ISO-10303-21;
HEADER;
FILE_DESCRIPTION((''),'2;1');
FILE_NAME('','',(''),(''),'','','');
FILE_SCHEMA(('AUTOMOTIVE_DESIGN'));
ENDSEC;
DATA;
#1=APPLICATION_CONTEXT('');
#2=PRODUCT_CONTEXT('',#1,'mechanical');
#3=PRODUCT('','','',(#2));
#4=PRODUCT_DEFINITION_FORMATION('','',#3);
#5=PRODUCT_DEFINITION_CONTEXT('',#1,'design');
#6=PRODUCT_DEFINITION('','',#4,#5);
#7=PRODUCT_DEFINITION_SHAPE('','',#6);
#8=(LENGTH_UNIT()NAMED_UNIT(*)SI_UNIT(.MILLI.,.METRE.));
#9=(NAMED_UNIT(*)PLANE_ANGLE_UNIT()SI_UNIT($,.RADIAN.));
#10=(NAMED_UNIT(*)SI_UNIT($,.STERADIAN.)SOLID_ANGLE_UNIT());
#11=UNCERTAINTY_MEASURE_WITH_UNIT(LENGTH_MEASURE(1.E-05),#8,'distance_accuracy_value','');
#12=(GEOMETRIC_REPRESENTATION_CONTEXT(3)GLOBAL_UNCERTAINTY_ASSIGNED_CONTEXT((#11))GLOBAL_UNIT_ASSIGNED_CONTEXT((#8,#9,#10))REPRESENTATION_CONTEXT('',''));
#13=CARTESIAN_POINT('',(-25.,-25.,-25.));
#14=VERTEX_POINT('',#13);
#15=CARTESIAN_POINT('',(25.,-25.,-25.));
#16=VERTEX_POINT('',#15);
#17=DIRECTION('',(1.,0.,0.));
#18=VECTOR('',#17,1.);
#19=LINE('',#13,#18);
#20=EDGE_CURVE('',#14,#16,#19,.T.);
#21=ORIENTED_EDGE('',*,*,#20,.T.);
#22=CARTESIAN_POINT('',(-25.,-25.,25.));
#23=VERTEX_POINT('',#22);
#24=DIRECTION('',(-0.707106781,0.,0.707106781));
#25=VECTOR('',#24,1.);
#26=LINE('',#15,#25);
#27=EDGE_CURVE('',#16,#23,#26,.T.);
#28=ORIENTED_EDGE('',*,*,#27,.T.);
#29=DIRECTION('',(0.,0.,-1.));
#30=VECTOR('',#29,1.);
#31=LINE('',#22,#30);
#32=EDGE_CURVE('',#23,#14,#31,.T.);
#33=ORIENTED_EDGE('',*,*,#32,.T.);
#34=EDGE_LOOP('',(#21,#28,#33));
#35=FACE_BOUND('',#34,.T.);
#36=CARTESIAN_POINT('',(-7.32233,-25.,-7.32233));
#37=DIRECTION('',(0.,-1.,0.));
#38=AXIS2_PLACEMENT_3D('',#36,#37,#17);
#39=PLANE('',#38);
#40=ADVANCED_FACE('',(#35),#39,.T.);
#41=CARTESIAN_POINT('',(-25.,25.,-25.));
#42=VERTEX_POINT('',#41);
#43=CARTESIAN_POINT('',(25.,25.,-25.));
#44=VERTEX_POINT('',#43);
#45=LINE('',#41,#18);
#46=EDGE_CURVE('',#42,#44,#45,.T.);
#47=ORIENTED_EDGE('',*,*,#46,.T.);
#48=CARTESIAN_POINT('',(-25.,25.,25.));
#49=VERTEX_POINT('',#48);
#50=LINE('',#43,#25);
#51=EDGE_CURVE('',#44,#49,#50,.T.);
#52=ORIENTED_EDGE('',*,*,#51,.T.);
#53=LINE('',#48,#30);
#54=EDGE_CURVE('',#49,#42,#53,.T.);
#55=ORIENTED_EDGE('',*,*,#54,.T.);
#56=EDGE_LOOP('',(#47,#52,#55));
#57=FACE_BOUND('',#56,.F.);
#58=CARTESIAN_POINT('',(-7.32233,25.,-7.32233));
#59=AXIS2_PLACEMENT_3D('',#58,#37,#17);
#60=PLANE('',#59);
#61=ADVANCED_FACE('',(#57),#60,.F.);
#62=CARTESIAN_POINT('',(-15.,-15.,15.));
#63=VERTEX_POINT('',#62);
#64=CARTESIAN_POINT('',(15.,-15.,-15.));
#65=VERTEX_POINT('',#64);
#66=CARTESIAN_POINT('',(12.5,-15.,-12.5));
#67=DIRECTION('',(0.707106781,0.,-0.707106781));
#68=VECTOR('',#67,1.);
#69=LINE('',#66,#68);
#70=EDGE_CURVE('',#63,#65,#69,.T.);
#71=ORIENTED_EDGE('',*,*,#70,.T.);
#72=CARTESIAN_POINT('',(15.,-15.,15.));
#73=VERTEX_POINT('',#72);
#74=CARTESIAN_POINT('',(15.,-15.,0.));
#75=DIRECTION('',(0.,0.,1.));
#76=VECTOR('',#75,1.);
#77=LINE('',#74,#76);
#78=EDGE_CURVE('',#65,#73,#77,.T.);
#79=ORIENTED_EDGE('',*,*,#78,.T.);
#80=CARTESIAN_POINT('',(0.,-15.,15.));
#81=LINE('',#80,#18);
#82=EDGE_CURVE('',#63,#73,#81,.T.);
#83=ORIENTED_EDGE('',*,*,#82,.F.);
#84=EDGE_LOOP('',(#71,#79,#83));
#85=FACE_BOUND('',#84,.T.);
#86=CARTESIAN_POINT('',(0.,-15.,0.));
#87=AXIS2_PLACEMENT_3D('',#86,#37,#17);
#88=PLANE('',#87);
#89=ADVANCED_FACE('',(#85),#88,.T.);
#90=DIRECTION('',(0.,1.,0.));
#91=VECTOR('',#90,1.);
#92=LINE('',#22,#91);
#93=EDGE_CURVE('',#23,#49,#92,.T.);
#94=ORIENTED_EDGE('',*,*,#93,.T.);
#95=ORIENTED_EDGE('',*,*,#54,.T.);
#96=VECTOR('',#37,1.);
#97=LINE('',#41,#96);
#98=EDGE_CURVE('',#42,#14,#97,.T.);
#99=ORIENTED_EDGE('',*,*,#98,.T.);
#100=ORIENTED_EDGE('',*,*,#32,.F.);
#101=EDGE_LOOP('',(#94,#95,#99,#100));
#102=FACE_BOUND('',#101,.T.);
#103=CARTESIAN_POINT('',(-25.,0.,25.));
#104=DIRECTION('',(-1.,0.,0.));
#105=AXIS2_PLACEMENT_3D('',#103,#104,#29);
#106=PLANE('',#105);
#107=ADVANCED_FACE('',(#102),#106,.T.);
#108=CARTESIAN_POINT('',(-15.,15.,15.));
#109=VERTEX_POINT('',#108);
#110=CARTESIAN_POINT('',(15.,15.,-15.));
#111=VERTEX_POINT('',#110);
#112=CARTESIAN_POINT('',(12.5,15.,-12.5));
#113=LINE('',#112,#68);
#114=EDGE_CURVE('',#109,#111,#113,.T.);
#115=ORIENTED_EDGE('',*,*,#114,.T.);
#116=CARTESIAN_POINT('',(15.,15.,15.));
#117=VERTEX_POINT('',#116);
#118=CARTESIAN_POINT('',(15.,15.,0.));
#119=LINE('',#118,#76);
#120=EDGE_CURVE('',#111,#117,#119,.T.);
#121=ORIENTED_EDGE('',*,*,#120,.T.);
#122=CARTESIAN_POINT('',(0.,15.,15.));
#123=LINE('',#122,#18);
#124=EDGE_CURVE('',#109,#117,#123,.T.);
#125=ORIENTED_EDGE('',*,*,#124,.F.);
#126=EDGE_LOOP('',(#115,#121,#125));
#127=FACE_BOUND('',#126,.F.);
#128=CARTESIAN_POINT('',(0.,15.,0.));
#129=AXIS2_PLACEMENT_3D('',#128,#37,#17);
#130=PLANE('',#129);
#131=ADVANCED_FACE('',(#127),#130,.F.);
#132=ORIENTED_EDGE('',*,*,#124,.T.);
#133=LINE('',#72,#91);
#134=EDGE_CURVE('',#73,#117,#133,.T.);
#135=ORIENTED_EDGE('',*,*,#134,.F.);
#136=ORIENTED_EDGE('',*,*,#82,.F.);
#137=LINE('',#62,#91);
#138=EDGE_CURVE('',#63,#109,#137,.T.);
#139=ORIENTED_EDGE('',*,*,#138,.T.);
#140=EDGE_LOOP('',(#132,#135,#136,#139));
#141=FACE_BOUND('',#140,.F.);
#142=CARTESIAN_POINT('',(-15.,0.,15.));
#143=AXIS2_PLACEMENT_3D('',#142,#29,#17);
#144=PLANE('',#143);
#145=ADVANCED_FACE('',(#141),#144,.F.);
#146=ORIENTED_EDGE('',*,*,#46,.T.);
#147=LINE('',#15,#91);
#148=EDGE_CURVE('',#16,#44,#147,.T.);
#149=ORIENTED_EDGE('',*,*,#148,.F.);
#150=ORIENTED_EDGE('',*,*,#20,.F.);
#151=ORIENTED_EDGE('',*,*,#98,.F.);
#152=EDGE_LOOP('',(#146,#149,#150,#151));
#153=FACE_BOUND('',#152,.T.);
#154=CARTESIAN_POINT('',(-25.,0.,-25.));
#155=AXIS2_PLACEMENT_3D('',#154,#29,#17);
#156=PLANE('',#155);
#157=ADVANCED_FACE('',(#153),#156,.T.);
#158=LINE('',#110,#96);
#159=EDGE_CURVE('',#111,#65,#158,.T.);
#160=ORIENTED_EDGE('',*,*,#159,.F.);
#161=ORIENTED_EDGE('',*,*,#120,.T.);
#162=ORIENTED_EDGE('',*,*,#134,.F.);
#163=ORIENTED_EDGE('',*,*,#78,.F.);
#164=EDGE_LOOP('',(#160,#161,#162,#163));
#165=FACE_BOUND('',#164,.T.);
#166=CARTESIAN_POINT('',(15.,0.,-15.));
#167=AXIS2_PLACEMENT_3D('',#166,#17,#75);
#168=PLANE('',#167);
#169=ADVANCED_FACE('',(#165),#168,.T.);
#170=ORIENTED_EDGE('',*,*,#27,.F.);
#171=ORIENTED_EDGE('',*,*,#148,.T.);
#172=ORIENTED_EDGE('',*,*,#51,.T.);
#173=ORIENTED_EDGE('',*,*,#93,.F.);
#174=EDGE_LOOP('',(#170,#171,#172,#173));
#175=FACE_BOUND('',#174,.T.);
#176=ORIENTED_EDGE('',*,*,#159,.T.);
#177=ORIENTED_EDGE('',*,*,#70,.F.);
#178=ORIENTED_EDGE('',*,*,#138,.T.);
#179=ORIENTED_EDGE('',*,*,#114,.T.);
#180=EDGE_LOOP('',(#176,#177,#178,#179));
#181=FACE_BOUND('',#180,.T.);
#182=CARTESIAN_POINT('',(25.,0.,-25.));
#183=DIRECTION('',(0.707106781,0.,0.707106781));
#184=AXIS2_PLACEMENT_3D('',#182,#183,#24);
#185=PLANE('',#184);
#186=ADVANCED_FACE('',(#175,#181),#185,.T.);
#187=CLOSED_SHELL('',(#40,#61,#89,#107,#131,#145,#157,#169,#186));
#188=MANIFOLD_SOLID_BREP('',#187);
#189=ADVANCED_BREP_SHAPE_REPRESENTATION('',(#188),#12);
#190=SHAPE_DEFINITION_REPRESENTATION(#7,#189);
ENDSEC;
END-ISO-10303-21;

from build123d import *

# Parameters (mm, degrees)
PAD_DEPTH    = 25
SKETCH001_W  = 30
SKETCH001_H  = 30
PAD001_DEPTH = 15


with BuildPart() as part:
    # Sketch → Pad (new body, symmetric)
    with BuildSketch(Plane.XZ):
        Polygon((-25, 25), (-25, -25), (25, -25), align=None)
    extrude(amount=PAD_DEPTH, both=True)

    # Sketch001 → Pad001 (join, symmetric)
    with BuildSketch(Plane.XZ):
        Rectangle(SKETCH001_W, SKETCH001_H)
    extrude(amount=PAD001_DEPTH, both=True)


solid = part.part
